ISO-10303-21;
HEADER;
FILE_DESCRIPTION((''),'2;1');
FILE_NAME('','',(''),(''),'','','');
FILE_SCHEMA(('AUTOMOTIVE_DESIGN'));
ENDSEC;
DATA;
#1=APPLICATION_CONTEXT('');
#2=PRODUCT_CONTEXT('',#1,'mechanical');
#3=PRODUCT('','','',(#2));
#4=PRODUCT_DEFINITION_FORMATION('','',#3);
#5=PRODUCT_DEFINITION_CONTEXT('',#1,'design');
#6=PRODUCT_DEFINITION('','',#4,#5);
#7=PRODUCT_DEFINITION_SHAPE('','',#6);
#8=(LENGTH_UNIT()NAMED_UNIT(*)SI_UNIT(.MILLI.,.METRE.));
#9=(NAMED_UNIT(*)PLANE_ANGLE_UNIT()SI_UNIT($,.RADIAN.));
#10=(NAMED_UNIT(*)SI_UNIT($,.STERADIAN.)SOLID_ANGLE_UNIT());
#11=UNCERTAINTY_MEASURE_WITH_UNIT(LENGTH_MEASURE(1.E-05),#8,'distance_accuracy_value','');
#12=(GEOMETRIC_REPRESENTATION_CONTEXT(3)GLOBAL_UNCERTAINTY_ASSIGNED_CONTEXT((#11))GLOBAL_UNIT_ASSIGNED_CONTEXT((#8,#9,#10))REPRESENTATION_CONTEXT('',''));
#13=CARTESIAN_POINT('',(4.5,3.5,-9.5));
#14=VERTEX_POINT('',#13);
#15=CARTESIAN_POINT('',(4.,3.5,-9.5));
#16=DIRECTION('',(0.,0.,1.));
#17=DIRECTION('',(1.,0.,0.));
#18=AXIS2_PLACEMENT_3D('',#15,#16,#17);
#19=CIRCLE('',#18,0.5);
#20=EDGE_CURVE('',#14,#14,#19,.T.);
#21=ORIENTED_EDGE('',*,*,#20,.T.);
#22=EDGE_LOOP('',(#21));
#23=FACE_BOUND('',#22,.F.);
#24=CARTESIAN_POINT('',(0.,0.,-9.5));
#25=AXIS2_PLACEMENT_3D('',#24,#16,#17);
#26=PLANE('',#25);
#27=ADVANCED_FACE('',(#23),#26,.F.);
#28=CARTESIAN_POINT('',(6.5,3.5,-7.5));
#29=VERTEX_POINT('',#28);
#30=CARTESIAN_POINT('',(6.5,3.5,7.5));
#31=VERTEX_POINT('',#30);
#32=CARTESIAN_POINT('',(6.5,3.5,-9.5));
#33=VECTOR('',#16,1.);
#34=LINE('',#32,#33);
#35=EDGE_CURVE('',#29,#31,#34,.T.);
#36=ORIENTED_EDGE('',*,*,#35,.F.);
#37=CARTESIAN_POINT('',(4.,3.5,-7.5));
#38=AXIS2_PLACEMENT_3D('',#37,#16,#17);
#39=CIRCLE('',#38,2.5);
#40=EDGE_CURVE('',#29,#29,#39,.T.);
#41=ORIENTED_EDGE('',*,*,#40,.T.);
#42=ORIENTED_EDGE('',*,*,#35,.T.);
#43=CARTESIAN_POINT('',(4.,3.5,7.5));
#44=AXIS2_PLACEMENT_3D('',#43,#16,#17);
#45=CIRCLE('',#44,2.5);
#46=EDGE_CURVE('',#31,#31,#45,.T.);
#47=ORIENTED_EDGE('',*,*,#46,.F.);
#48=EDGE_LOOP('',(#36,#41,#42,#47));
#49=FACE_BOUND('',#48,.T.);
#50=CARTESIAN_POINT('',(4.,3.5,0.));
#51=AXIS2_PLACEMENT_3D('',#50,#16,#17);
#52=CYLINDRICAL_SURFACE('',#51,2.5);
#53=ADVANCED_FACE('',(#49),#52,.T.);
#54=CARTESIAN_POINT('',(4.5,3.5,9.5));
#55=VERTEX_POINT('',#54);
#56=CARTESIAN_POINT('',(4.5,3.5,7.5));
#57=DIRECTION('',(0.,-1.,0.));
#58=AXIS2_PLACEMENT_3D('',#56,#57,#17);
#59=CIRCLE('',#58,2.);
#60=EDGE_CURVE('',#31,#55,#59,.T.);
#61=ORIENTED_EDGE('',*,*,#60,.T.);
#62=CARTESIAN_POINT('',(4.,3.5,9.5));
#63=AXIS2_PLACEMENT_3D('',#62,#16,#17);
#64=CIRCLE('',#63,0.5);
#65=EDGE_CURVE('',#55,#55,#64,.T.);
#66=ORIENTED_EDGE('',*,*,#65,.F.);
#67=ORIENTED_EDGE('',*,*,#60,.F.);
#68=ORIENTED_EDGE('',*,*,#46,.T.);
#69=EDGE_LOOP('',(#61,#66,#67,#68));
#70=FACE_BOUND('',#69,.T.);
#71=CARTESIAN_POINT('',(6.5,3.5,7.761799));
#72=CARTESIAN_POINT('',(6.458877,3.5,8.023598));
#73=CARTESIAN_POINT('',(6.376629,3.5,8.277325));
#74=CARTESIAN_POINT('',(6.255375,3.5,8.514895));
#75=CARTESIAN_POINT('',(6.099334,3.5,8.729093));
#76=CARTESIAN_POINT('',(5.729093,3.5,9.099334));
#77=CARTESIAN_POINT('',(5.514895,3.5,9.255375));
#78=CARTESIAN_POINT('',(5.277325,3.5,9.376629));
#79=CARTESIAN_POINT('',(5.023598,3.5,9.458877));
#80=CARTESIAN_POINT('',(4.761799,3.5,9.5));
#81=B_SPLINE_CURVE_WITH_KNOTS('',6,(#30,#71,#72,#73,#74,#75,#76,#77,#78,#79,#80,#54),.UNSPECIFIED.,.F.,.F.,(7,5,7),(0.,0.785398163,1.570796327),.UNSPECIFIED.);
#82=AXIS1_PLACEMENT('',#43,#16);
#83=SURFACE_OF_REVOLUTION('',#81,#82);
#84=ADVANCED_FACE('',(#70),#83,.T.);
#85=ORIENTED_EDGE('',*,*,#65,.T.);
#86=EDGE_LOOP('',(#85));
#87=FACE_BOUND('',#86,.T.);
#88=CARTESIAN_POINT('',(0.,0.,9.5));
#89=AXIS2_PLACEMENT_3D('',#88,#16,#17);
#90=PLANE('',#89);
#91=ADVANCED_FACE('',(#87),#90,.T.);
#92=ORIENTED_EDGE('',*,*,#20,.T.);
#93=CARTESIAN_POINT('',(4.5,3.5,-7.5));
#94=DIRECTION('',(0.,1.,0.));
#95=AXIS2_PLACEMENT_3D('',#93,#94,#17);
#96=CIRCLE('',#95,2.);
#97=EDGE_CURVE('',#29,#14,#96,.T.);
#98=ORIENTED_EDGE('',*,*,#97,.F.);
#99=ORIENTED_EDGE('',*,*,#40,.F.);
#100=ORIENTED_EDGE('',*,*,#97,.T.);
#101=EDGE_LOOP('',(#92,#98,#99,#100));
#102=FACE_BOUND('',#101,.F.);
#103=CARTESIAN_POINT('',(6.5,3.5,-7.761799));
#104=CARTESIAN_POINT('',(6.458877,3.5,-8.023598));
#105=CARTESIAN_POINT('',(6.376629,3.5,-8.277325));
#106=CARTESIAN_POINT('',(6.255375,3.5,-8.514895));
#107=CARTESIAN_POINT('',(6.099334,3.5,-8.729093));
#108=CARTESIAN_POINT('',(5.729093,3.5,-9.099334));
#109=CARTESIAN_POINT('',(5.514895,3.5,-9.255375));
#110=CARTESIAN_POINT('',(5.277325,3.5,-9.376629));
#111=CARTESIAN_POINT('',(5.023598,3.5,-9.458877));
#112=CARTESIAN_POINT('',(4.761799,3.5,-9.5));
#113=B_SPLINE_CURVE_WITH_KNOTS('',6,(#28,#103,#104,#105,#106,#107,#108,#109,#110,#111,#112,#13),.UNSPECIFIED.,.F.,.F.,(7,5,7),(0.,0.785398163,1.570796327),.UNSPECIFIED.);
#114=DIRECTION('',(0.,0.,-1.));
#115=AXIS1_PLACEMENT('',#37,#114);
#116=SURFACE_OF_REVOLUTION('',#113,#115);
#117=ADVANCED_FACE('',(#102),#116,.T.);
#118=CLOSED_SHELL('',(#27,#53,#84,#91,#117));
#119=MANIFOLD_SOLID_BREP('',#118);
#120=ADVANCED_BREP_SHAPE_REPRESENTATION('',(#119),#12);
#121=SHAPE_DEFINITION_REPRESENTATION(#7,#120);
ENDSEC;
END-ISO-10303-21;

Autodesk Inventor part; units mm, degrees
sketch "草图1" plane through (0, 0, 0) normal (0, 0, 1) x (1, 0, 0)
  line L0 (3.25, 4.75) -> (3.25, 2.25) projected
  line L1 (2.75, 2.75) -> (5.25, 2.75) projected
  arc A0 (3.25, 2.25) -> (4.75, 2.25) centre (4, 2.25) ccw projected
  line L2 (4.75, 2.25) -> (4.75, 4.75) projected
  arc A1 (5.25, 2.75) -> (5.25, 4.25) centre (5.25, 3.5) ccw projected
  line L3 (5.25, 4.25) -> (2.75, 4.25) projected
  line L4 (2.75, 2.75) -> (5.25, 2.75) projected
  arc A2 (2.75, 4.25) -> (2.75, 2.75) centre (2.75, 3.5) ccw projected
  arc A3 (4.75, 4.75) -> (3.25, 4.75) centre (4, 4.75) ccw projected
  circle A4 centre (4, 3.5) radius 2.5
  line L5 (2.75, 3.5) -> (5.25, 3.5)
  point P0 (0, 0)
  dimension "d7" = 5
ref_plane "工作平面1" through (-7.5, 0, 7.5) normal (0, 0, 1) x (1, 0, 0)
ref_plane "工作平面2" through (7.5, 0, -7.5) normal (0, 0, -1) x (-1, 0, 0)
sketch "草图2" plane through (0, 0, 0) normal (0, 1, 0) x (-1, 0, 0)
  line L0 (1.1, -7.5) -> (-6.6, -7.5) construction
  line L1 (-6.6, 7.5) -> (1.1, 7.5) construction
  point P0 (0, 0)
  dimension "d0" = 15
extrude "拉伸1" add sketch "草图1" along normal mid plane 19 contours A3 L2 L3 L0 | L3 L2 L5 L0 | L0 L1 A2 L3 | L5 L2 L1 L0 | L3 A1 L1 L2 | L1 L2 A0 L0 | A4
fillet "圆角1" [suppressed]
fillet "圆角2" [suppressed]
fillet "圆角3" [suppressed]
sketch "草图3" plane through (0, 0, -9.5) normal (0, 0, -1) x (-1, 0, 0)
  arc A0 (-3.75, 4.75) -> (-2.75, 3.75) centre (-2.75, 4.75) ccw construction
  arc A1 (-3.75, 4.75) -> (-4.25, 4.75) centre (-4, 4.75) ccw construction
  arc A2 (-5.25, 3.75) -> (-4.25, 4.75) centre (-5.25, 4.75) ccw construction
  arc A3 (-5.25, 3.75) -> (-5.25, 3.25) centre (-5.25, 3.5) ccw construction
  arc A4 (-4.25, 2.25) -> (-5.25, 3.25) centre (-5.25, 2.25) ccw construction
  arc A5 (-4.25, 2.25) -> (-3.75, 2.25) centre (-4, 2.25) ccw construction
  arc A6 (-2.75, 3.25) -> (-3.75, 2.25) centre (-2.75, 2.25) ccw construction
  arc A7 (-2.75, 3.25) -> (-2.75, 3.75) centre (-2.75, 3.5) ccw construction
  line L0 (-4, 4.75) -> (-4, 2.25)
  point P0 (0, 0)
  point P1 (-4, 3.5)
sketch "草图4" plane through (0, 0, 9.5) normal (0, 0, 1) x (1, 0, 0)
  arc A0 (4.25, 4.75) -> (3.75, 4.75) centre (4, 4.75) ccw construction
  arc A1 (2.75, 3.75) -> (3.75, 4.75) centre (2.75, 4.75) ccw construction
  arc A2 (2.75, 3.75) -> (2.75, 3.25) centre (2.75, 3.5) ccw construction
  arc A3 (3.75, 2.25) -> (2.75, 3.25) centre (2.75, 2.25) ccw construction
  arc A4 (3.75, 2.25) -> (4.25, 2.25) centre (4, 2.25) ccw construction
  arc A5 (5.25, 3.25) -> (4.25, 2.25) centre (5.25, 2.25) ccw construction
  arc A6 (5.25, 3.25) -> (5.25, 3.75) centre (5.25, 3.5) ccw construction
  arc A7 (4.25, 4.75) -> (5.25, 3.75) centre (5.25, 4.75) ccw construction
  line L0 (5.25, 3.5) -> (2.75, 3.5)
  point P0 (0, 0)
  point P1 (4, 3.5)
ref_plane "工作平面3" through (0, 0, 0) normal (0, 0, 1) x (1, 0, 0)
fillet "圆角4" radius 2 2 edges at (1.5, 3.5, 9.5) (1.5, 3.5, -9.5)
properties part number "轴" material "ABS 塑料"
